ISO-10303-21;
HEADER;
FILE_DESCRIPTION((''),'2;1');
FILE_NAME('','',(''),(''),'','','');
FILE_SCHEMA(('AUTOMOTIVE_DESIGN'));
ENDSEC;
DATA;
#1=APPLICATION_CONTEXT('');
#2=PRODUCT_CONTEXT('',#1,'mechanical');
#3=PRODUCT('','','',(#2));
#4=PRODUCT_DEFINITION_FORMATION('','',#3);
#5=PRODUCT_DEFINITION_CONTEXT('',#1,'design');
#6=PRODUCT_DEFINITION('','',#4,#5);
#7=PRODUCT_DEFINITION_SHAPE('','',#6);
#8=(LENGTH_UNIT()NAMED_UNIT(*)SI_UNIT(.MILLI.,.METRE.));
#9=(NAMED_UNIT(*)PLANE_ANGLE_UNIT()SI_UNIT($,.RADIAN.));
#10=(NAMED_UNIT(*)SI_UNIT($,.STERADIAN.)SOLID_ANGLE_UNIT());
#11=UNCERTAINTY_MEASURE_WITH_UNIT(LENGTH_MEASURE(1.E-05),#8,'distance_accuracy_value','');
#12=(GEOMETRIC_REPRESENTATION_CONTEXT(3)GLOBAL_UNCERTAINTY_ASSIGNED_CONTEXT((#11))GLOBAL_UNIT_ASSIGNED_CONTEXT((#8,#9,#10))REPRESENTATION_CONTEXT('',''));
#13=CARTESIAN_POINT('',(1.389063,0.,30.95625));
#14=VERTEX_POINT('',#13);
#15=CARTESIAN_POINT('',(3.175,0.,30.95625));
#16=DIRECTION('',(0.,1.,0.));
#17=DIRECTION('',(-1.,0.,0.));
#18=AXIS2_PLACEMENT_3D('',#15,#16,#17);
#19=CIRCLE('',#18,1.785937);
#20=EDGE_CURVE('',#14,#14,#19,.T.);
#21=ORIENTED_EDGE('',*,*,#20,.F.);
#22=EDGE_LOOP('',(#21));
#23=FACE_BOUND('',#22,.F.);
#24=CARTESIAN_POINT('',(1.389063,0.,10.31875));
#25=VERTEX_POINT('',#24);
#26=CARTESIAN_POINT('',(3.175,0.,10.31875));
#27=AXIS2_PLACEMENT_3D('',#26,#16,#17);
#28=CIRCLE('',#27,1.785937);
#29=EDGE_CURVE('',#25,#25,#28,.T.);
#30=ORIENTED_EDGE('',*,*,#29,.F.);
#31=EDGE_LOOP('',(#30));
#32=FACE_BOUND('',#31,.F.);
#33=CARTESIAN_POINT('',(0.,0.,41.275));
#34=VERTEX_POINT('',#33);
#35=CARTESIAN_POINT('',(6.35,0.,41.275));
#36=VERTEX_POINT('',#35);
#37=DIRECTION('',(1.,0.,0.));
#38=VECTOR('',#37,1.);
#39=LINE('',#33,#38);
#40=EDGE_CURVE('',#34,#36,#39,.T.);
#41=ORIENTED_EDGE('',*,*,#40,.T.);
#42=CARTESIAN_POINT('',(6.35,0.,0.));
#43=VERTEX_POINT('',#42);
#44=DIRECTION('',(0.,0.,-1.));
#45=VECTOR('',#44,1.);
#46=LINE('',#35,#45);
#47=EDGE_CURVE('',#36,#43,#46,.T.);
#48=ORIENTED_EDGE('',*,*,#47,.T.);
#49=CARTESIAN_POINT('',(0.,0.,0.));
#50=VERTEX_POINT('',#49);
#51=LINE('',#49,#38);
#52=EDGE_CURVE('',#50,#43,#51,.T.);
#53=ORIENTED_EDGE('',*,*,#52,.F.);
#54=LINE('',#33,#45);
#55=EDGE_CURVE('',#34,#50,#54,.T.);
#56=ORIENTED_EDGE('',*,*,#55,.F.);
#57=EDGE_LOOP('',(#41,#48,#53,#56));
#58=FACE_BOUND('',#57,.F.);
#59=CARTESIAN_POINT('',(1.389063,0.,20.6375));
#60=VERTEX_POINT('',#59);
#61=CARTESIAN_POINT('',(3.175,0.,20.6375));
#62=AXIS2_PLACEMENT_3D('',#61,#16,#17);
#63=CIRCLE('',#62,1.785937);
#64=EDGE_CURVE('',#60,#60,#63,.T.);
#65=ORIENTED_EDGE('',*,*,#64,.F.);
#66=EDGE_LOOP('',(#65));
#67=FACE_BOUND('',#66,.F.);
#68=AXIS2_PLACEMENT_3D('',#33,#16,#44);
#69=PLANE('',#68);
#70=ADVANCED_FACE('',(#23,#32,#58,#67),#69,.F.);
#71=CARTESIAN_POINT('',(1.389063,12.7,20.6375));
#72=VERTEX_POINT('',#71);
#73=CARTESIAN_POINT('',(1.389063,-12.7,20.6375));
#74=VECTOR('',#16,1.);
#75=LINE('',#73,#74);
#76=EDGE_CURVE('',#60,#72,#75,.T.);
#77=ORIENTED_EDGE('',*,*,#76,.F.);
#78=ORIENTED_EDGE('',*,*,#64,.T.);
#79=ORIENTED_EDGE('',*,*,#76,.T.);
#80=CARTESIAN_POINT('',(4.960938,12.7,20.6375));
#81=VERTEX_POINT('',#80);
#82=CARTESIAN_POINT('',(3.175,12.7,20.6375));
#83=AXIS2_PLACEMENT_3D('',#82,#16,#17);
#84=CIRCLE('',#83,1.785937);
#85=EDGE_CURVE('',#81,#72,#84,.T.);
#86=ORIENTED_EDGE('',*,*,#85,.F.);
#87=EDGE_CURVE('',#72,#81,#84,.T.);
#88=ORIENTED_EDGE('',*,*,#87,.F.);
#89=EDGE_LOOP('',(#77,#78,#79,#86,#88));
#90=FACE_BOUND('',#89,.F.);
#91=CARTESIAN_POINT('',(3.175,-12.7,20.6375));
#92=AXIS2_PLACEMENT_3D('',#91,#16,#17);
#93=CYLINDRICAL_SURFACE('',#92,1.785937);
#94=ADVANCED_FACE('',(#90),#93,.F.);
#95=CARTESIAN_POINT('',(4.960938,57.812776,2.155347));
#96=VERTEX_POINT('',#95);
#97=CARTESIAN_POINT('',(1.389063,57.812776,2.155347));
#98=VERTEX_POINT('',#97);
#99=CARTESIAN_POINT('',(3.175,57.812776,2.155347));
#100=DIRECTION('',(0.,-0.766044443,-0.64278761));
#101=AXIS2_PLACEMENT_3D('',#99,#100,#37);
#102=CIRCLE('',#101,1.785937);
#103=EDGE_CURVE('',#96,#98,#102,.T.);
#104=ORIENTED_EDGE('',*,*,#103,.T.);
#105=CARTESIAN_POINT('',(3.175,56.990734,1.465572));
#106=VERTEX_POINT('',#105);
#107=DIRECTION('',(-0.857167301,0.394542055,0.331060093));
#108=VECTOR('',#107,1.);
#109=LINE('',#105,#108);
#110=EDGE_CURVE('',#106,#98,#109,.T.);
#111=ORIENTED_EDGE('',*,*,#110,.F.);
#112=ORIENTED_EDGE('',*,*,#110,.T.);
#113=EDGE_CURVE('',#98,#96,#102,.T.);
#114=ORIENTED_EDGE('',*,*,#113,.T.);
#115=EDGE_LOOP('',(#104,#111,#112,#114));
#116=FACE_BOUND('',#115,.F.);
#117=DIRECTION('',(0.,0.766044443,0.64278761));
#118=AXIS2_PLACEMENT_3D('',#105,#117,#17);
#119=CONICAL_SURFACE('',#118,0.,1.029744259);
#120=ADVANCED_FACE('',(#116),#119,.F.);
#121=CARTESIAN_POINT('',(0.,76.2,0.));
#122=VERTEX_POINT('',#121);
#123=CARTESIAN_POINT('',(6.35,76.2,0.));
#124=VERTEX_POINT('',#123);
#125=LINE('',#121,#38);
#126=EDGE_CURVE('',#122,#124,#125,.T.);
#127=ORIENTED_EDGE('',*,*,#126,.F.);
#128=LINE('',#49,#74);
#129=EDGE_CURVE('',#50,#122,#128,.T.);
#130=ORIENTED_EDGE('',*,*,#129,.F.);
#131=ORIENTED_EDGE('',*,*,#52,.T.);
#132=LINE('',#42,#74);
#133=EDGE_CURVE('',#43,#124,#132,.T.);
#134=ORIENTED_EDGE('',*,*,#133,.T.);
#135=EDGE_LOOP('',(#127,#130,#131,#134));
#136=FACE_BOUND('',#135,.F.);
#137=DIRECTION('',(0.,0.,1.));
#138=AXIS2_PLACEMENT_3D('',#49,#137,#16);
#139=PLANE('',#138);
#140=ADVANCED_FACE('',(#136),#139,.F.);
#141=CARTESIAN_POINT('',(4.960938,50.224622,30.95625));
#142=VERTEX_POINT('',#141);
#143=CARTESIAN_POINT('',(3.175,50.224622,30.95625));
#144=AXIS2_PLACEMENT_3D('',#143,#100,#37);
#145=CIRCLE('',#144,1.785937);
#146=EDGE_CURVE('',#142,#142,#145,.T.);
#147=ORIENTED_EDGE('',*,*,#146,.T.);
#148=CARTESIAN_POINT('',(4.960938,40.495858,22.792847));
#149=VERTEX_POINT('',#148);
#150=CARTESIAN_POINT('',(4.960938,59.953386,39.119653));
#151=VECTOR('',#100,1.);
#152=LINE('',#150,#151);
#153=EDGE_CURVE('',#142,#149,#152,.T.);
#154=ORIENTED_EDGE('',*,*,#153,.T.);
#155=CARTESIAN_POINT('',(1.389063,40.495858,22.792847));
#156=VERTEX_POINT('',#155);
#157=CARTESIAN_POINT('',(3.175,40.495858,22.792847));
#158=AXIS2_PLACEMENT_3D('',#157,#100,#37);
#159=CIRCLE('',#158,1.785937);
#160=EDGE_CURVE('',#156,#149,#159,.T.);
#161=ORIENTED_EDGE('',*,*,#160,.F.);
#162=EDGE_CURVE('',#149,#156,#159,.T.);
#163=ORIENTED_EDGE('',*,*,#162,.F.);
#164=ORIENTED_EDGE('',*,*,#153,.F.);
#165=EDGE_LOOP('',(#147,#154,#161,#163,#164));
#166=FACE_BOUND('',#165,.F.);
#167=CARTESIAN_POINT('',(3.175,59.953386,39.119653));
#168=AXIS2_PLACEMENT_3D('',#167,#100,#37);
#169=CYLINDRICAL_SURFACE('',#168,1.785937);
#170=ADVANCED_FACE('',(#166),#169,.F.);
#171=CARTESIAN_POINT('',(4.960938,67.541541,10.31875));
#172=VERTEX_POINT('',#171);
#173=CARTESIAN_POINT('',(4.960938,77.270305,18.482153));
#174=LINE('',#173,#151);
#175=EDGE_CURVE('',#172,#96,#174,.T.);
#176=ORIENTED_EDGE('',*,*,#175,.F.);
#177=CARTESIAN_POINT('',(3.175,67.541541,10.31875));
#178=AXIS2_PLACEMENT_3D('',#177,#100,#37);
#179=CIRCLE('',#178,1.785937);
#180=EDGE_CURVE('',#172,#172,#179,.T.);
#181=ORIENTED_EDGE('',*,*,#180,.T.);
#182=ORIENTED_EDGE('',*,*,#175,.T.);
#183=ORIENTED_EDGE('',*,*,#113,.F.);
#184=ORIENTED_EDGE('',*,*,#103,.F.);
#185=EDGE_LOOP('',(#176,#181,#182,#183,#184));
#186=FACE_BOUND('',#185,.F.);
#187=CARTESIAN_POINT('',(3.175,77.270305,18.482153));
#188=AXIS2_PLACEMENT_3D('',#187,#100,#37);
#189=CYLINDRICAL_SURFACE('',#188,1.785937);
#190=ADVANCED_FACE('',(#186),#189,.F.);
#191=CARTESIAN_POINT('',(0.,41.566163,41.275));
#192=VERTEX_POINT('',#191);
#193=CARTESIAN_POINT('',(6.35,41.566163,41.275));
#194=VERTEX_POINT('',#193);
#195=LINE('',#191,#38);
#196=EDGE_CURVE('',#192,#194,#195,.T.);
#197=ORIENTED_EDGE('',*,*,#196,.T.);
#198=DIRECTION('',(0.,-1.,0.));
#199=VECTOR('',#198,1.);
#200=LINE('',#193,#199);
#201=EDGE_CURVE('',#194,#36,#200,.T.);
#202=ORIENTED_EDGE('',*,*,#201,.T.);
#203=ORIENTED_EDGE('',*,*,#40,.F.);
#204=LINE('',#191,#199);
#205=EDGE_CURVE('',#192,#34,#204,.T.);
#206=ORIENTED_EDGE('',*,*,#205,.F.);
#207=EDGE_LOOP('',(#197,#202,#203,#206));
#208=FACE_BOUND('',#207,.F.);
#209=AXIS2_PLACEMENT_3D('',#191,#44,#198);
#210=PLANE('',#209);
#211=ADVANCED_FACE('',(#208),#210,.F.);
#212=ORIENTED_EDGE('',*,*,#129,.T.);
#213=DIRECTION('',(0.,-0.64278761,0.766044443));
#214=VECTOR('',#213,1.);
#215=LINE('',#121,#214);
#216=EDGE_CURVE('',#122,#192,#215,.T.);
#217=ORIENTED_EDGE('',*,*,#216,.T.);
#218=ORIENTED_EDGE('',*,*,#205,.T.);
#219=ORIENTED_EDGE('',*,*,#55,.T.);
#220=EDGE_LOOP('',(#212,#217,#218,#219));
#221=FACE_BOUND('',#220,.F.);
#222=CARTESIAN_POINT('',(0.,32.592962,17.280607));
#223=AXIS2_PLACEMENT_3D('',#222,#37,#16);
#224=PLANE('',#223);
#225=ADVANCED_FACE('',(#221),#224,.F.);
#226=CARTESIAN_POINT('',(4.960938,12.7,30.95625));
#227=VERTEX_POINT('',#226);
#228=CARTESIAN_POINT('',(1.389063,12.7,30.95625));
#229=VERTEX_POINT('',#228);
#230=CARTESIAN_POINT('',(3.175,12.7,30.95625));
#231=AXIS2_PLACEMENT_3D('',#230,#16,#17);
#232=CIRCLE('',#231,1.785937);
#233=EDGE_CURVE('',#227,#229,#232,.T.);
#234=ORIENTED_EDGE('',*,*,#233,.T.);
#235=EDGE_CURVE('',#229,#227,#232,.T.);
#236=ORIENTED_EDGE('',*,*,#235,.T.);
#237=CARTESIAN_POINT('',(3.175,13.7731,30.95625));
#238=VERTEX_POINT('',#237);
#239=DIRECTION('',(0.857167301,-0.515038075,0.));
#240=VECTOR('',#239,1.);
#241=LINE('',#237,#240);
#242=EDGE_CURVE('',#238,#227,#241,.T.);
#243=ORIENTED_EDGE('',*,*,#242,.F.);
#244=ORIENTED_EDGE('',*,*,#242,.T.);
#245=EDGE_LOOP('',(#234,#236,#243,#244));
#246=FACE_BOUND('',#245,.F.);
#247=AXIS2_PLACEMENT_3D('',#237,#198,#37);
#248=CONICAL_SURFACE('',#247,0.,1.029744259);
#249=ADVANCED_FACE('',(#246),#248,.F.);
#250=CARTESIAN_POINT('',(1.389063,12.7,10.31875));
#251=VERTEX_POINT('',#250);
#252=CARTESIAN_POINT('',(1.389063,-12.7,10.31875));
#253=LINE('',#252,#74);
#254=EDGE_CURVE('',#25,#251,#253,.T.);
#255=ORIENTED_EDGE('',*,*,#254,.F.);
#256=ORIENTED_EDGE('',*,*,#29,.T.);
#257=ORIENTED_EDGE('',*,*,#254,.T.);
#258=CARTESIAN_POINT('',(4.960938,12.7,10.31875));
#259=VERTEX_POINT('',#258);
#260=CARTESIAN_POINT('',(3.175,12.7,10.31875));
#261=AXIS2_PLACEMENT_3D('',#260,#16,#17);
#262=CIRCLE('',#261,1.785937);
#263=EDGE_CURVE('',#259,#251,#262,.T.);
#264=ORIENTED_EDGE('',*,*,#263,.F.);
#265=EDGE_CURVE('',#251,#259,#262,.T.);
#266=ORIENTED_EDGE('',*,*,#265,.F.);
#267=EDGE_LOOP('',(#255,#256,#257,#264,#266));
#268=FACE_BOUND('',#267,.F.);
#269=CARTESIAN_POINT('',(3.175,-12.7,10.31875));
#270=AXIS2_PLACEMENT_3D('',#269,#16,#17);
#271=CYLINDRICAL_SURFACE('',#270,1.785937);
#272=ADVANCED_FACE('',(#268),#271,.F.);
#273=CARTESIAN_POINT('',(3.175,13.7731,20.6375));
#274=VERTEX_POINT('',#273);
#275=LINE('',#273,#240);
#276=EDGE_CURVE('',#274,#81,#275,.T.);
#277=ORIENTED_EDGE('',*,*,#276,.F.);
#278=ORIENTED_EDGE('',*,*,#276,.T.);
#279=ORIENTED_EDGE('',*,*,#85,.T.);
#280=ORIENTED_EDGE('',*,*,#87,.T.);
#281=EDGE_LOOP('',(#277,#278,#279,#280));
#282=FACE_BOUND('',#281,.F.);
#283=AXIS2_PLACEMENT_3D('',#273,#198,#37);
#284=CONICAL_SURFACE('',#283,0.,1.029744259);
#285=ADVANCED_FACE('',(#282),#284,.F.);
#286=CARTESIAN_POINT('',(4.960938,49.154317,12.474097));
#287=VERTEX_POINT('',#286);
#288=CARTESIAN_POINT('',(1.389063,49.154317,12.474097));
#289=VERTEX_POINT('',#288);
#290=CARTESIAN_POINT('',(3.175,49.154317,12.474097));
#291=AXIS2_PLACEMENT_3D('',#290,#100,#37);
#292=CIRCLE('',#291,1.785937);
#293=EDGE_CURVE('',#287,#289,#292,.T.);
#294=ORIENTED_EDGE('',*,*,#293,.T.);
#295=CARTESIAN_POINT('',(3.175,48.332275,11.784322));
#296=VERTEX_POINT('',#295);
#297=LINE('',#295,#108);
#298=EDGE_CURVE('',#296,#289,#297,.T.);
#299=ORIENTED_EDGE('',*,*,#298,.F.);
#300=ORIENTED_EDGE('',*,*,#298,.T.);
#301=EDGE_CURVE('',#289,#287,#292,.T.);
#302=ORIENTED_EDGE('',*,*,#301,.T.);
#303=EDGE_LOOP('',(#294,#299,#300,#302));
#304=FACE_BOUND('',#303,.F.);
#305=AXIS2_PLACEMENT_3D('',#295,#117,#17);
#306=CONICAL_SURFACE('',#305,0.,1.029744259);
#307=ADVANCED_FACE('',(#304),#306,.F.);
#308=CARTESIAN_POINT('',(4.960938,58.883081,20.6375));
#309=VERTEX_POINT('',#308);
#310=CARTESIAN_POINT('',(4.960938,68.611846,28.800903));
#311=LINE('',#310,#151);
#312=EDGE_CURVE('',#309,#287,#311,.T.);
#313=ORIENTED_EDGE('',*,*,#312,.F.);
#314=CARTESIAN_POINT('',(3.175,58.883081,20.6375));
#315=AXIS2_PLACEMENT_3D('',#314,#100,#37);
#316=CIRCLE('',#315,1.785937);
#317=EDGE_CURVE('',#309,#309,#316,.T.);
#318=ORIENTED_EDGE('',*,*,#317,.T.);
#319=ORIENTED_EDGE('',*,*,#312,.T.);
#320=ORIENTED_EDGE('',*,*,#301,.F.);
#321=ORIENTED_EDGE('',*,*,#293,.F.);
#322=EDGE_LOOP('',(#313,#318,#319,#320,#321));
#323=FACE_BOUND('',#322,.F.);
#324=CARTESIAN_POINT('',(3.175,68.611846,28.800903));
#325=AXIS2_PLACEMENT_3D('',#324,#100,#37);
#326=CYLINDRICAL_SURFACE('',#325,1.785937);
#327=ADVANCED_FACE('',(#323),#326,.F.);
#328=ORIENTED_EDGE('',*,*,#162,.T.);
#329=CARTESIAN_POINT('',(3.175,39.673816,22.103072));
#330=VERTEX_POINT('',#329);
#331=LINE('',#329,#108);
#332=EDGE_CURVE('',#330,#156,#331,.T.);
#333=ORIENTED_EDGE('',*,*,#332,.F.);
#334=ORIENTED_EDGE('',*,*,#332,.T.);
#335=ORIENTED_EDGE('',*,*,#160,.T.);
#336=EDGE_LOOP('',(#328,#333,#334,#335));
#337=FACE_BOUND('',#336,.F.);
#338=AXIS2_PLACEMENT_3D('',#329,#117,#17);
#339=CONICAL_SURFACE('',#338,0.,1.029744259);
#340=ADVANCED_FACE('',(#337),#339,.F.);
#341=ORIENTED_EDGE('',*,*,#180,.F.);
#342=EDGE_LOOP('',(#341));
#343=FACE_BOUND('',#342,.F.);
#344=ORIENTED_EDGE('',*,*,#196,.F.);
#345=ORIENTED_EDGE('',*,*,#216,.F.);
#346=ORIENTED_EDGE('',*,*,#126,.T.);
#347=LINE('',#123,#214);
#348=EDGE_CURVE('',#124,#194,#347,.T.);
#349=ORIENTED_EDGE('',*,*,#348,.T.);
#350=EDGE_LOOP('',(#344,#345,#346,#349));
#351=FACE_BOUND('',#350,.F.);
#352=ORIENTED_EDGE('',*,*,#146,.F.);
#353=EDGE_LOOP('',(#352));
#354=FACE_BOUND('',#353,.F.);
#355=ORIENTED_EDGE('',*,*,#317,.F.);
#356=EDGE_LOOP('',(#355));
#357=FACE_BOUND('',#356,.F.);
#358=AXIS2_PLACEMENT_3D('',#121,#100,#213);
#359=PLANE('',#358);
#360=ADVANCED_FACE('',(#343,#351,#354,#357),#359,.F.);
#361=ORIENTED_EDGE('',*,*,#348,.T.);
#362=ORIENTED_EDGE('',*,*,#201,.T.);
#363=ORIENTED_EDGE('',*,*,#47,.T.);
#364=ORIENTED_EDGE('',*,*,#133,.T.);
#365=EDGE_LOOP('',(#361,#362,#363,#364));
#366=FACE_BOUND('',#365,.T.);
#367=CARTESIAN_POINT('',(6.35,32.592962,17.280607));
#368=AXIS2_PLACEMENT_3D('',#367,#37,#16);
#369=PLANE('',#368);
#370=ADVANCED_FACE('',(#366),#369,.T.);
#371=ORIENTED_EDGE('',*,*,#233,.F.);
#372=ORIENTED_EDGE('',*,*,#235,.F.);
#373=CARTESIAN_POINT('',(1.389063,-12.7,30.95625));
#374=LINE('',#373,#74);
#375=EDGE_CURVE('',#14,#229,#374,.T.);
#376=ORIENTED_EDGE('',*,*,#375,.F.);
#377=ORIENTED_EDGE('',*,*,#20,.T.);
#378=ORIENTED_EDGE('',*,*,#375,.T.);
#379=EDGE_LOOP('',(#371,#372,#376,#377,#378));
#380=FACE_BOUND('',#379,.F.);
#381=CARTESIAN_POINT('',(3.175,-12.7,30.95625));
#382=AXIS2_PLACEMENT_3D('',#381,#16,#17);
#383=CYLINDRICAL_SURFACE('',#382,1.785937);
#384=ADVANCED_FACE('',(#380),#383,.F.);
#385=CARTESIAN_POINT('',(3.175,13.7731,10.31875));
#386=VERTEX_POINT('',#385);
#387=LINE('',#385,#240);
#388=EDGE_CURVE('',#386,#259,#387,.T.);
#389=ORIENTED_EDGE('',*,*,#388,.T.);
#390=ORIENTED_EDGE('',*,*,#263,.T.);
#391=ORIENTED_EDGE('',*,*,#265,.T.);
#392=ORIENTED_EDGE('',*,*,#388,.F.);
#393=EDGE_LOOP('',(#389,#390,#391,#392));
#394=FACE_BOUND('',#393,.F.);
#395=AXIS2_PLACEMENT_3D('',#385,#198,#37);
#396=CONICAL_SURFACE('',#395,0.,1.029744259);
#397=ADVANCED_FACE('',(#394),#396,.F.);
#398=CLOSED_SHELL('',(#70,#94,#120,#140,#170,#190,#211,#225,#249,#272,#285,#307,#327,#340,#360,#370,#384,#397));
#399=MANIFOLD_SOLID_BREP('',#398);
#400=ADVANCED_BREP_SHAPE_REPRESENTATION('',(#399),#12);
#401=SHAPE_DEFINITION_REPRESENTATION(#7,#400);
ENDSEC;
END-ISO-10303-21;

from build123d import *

# Parameters (mm, degrees)
F1_DEPTH = 6.35
F4_D     = 3.571875
F4_DEPTH = 12.7
F4_TIP   = 1.0730995118
F5_D     = 3.571875
F5_DEPTH = 12.7
F5_TIP   = 1.0730995118


with BuildPart() as f1:
    # F0 (on Right) → F1 (new body)
    with BuildSketch(Plane.YZ):
        Polygon((0, 41.275), (0, 0), (76.2, 0), (41.5661627232, 41.275), align=None)
    extrude(amount=F1_DEPTH)

    # F4
    with Locations(Plane.XZ):
        with Locations((3.175, 30.95625), (3.175, 10.31875), (3.175, 20.6375)):
            Hole(F4_D / 2, depth=F4_DEPTH)
            with Locations((0, 0, -(F4_DEPTH + F4_TIP / 2))):  # 118° drill point
                Cone(0, F4_D / 2, F4_TIP, mode=Mode.SUBTRACT)

    # F5
    with Locations(Plane(origin=(0, 44.7159955691, 37.5211753898), x_dir=(-1, 0, 0), z_dir=(0, 0.7660444431, 0.6427876097))):
        with Locations((-3.175, -8.5699014577), (-3.175, -22.0400729245), (-3.175, -35.5102443913)):
            Hole(F5_D / 2, depth=F5_DEPTH)
            with Locations((0, 0, -(F5_DEPTH + F5_TIP / 2))):  # 118° drill point
                Cone(0, F5_D / 2, F5_TIP, mode=Mode.SUBTRACT)


solid = f1.part
